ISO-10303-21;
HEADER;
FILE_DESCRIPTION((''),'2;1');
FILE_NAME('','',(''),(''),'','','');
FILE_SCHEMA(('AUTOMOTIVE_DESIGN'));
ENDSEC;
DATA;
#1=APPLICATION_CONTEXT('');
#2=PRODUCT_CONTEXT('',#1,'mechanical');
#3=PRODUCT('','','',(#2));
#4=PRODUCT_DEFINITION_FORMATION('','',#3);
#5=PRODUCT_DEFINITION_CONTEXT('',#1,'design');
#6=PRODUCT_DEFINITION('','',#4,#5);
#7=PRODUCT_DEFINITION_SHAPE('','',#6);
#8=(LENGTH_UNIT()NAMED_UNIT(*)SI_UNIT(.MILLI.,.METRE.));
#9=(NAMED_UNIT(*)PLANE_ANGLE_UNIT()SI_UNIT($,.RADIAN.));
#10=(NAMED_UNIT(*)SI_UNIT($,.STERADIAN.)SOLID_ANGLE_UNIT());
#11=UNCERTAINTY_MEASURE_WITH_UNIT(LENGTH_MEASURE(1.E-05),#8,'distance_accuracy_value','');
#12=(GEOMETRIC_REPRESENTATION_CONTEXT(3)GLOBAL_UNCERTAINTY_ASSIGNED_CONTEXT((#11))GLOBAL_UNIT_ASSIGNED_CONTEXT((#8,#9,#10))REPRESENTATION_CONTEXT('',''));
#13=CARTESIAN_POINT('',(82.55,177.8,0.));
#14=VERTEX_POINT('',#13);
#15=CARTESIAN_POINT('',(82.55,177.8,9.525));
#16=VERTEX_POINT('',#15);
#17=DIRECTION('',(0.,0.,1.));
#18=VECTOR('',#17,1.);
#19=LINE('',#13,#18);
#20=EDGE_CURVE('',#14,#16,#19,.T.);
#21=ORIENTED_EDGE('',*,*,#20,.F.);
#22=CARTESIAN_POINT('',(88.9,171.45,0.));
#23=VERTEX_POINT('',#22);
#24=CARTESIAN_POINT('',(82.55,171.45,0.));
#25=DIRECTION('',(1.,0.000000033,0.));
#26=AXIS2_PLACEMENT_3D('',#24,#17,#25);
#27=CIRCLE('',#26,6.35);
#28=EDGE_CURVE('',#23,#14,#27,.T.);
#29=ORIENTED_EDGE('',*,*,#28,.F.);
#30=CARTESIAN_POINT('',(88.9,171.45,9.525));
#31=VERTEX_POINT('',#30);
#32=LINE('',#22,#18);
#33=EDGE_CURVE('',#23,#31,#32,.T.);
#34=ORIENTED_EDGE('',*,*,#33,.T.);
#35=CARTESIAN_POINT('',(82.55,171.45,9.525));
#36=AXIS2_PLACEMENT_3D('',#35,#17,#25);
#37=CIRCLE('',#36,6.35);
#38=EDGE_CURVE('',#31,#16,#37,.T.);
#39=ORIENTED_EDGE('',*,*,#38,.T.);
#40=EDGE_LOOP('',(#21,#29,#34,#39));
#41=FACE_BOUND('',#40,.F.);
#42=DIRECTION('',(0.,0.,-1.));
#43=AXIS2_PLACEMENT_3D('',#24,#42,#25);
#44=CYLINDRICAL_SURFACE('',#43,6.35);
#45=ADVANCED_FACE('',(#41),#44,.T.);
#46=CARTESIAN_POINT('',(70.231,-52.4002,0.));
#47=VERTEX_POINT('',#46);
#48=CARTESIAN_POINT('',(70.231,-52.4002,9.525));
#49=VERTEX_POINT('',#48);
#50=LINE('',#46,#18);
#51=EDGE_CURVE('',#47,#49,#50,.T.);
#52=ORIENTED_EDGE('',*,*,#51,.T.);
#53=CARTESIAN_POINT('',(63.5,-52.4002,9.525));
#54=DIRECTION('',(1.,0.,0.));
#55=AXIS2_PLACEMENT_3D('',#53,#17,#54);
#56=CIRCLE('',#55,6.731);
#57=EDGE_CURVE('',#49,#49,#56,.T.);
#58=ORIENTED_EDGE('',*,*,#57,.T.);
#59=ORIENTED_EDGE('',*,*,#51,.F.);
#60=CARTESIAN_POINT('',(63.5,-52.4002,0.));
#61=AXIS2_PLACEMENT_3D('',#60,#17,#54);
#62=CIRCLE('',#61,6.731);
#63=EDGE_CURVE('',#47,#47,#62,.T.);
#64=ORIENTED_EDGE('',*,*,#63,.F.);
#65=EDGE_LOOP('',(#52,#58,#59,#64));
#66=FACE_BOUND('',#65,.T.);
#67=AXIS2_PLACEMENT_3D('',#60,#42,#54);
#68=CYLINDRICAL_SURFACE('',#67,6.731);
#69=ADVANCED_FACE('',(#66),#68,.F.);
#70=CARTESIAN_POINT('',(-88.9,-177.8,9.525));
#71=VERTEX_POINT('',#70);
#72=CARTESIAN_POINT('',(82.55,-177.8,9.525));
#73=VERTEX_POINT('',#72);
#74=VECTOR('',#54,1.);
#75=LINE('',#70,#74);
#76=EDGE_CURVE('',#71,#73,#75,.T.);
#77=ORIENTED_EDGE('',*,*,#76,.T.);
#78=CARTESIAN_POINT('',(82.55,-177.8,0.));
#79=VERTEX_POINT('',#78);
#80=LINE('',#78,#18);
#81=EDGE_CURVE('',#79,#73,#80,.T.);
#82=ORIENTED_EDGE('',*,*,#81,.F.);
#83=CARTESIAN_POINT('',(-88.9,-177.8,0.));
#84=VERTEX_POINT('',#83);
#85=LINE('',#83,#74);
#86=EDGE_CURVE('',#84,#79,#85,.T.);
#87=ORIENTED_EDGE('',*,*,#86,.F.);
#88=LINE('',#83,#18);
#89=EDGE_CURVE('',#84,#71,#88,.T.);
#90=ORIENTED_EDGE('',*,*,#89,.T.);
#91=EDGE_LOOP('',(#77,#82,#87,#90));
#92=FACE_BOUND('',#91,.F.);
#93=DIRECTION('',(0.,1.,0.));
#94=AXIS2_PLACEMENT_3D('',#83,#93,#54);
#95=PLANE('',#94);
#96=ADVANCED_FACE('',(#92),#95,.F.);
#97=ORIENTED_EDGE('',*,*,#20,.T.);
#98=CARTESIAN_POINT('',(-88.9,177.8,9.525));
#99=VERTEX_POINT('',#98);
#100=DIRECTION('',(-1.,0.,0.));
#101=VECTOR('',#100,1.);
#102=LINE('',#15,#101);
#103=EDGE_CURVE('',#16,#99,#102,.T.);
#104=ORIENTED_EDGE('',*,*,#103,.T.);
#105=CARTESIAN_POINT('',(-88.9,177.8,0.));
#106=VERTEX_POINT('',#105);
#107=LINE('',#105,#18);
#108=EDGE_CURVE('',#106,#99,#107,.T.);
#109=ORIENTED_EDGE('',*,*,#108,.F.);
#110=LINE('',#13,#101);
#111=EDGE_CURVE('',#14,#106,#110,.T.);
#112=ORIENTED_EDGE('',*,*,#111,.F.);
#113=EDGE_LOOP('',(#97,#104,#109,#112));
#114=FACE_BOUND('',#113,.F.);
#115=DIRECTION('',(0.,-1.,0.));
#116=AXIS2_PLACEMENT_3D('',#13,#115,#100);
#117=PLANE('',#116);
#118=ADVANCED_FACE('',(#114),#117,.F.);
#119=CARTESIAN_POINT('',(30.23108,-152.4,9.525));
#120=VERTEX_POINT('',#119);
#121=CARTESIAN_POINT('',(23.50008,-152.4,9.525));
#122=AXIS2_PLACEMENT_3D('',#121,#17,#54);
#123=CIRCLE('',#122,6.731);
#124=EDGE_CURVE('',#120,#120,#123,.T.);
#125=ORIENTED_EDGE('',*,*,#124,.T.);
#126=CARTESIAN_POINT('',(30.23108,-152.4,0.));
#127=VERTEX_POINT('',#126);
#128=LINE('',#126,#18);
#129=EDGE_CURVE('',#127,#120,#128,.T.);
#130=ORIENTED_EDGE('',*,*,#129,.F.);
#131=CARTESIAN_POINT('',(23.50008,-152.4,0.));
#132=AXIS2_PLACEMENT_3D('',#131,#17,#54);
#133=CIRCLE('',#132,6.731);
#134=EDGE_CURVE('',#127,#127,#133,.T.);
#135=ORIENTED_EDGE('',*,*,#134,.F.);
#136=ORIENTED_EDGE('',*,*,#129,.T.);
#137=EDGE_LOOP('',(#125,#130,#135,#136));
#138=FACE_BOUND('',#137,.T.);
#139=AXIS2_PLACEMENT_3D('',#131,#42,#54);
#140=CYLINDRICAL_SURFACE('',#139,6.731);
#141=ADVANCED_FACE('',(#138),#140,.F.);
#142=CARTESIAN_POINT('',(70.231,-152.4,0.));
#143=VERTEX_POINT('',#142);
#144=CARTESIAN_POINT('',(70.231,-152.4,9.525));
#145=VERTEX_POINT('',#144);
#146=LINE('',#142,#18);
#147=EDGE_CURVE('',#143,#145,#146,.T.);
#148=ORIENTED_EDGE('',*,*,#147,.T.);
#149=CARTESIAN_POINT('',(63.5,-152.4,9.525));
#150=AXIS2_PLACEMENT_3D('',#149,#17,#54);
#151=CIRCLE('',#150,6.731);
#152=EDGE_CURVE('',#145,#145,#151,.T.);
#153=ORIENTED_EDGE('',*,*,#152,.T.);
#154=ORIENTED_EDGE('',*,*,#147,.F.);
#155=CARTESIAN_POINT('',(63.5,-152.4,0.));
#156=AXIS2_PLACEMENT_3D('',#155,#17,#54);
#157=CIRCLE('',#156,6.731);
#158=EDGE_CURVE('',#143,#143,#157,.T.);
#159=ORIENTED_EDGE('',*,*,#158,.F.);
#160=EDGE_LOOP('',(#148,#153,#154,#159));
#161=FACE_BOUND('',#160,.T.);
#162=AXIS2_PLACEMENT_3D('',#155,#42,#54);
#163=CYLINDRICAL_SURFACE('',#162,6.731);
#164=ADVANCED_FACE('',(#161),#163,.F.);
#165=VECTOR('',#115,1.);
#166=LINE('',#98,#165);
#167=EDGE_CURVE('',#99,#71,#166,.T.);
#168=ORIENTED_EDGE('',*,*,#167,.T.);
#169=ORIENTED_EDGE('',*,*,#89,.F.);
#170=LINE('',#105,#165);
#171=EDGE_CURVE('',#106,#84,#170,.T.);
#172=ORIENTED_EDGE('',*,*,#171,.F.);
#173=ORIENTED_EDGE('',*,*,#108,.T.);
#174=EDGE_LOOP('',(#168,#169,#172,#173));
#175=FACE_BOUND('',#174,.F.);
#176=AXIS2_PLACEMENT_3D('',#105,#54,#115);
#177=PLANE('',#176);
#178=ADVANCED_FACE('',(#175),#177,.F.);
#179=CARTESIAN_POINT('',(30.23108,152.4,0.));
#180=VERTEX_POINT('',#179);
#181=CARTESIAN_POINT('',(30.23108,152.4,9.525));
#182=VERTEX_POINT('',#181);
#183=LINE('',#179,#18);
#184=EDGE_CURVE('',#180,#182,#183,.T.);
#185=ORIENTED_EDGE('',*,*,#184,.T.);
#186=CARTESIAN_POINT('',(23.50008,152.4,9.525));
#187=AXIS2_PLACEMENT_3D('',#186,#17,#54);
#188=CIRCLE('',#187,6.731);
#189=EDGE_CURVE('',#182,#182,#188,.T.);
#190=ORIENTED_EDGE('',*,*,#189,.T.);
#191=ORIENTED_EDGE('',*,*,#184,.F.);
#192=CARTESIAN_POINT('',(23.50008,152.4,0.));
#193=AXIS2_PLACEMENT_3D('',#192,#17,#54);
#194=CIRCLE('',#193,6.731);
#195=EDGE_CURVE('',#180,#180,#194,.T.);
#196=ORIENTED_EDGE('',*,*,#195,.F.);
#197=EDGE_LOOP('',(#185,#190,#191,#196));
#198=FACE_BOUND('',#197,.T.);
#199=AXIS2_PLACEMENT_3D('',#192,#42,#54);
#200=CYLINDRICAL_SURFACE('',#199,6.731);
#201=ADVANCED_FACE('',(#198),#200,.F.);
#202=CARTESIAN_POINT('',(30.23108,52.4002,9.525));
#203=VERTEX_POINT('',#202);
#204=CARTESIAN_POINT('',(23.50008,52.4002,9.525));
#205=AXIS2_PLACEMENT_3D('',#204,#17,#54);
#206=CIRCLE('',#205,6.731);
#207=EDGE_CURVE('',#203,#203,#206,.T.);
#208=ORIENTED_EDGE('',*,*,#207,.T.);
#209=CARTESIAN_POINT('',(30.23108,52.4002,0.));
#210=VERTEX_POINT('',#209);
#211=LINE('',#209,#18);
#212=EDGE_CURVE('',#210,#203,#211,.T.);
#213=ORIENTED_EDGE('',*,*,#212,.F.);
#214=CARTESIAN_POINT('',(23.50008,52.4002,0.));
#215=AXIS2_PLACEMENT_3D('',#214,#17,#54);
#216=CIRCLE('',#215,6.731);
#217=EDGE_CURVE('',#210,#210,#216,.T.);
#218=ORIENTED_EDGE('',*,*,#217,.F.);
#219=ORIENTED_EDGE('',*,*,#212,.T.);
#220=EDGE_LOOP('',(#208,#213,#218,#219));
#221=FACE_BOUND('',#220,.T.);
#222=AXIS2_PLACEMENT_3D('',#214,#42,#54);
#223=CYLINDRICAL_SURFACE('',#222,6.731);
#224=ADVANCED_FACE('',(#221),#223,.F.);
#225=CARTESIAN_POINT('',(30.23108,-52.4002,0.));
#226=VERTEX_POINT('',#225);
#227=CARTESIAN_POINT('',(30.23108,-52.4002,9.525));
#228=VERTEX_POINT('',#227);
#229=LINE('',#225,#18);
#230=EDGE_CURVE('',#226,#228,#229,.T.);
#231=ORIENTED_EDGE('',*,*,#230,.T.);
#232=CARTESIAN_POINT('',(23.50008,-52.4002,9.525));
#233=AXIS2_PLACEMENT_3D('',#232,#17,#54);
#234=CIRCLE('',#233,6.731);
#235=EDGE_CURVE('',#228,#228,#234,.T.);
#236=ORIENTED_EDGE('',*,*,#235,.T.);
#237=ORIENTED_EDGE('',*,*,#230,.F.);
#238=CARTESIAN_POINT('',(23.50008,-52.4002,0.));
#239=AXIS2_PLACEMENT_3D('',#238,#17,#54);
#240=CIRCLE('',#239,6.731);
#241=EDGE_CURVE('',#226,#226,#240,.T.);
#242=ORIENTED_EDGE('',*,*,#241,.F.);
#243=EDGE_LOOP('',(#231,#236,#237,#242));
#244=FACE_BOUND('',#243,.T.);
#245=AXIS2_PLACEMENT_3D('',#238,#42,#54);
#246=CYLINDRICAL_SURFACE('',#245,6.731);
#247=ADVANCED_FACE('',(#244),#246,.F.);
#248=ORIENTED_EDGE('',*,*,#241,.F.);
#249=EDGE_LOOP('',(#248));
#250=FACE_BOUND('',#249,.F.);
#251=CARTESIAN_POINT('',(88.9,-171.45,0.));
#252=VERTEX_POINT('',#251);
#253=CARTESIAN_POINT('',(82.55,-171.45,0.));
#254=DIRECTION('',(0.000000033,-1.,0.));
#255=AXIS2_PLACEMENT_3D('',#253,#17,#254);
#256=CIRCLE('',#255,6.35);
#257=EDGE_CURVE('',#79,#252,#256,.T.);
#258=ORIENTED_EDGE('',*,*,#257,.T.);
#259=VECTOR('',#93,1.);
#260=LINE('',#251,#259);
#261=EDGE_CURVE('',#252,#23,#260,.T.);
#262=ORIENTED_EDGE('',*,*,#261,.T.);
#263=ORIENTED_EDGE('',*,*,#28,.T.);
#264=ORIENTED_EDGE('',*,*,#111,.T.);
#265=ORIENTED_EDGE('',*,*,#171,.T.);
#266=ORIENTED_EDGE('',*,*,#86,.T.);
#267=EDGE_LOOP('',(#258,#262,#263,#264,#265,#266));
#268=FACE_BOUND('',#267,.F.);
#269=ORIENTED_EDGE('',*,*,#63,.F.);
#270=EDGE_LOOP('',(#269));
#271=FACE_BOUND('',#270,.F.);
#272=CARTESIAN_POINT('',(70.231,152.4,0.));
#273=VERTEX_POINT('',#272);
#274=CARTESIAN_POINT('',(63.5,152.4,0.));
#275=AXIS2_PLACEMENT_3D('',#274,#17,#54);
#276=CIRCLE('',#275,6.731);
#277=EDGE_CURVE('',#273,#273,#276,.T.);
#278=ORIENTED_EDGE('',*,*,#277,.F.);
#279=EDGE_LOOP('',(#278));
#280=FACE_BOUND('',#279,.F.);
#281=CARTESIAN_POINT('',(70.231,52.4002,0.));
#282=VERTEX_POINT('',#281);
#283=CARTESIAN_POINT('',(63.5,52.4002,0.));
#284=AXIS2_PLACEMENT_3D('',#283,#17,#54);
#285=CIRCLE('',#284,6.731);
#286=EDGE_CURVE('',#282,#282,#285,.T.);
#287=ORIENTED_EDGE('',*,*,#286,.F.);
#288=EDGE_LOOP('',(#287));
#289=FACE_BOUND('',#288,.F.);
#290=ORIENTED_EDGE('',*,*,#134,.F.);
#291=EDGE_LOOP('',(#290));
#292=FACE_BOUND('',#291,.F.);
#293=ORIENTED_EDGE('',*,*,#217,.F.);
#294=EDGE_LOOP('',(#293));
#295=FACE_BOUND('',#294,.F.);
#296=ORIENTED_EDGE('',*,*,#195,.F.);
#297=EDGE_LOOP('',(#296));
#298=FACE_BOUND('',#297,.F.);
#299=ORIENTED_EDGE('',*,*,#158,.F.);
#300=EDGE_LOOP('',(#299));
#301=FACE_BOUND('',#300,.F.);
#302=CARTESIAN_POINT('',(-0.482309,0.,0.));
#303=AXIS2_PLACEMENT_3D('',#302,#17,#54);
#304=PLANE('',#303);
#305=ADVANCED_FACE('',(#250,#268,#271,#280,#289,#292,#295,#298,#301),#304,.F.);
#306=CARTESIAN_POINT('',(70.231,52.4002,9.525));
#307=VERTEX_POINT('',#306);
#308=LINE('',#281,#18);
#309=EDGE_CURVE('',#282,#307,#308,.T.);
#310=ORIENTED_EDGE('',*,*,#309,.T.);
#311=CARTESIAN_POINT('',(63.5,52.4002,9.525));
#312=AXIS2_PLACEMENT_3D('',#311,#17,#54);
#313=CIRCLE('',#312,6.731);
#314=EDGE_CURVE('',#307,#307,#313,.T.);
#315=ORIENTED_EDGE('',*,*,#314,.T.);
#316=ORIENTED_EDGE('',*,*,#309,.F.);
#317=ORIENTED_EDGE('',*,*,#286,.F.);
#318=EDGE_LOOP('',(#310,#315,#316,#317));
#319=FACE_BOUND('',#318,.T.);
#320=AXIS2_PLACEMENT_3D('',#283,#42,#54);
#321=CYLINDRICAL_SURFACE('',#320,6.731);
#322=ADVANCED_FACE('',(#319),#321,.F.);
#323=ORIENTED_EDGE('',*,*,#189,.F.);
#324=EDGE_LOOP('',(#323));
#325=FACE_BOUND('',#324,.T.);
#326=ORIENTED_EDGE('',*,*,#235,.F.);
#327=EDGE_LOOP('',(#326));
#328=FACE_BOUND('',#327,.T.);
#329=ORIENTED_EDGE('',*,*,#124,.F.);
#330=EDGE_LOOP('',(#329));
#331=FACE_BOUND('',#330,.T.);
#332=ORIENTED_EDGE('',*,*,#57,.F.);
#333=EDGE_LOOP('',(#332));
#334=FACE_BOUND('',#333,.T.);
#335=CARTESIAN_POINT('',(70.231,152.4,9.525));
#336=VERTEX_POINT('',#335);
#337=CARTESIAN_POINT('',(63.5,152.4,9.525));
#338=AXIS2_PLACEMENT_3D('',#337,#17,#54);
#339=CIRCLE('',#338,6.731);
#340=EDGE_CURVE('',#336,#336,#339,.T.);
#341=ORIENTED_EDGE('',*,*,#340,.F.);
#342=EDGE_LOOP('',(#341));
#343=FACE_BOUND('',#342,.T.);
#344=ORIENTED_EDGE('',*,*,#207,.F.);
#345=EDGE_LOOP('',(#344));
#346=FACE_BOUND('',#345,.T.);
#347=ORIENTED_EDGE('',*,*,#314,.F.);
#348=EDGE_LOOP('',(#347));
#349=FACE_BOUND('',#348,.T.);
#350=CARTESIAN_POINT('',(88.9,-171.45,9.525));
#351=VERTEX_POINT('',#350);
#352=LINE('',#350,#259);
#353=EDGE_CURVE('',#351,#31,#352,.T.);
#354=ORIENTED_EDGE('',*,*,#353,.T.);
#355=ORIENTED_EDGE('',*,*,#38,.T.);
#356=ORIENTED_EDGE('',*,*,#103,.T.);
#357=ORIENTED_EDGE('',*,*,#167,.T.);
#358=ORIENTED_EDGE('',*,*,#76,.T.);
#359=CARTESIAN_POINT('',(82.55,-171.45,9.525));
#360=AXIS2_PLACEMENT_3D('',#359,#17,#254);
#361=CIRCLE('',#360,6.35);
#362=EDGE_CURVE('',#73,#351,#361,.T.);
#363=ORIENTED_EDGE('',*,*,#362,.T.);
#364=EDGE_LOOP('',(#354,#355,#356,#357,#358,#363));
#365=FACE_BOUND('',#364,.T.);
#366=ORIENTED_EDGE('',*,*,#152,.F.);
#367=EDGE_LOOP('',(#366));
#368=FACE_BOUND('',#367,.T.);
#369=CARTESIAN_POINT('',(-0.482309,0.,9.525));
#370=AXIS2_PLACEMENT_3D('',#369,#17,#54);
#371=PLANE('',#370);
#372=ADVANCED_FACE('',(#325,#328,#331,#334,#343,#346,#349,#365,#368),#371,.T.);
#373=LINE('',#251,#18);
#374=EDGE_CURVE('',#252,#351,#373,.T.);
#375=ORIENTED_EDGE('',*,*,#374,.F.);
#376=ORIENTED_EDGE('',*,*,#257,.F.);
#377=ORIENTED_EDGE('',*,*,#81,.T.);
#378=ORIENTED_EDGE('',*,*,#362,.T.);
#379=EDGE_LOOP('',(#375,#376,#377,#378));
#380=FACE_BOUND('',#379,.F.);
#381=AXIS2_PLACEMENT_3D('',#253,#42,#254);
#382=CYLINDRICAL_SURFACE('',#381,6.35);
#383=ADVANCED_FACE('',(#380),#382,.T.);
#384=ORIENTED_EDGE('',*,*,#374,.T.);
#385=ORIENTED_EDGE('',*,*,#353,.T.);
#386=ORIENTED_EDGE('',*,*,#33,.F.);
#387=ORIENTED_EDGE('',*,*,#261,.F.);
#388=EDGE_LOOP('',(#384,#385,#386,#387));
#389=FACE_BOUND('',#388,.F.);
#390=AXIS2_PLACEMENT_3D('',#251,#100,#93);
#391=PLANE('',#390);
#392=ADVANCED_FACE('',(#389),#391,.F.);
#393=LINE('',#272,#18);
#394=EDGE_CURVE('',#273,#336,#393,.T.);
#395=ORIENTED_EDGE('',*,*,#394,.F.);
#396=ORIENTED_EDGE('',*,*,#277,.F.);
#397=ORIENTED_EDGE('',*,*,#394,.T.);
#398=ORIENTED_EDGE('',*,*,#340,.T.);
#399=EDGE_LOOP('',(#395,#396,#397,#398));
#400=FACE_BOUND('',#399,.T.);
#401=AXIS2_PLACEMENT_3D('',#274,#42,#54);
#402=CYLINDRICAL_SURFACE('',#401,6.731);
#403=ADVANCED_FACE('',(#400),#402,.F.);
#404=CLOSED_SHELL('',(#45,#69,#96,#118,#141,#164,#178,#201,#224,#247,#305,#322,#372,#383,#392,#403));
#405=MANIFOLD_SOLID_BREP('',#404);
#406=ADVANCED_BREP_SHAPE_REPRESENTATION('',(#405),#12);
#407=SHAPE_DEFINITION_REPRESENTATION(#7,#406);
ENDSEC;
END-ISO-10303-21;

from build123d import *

# Parameters (mm, degrees)
F0_R     = 6.731
F1_DEPTH = 9.525


with BuildPart() as f1:
    # F0 (on Top) → F1 (new body)
    with BuildSketch(Plane.XY):
        with BuildLine():
            Line((-88.9, 177.8), (-88.9, -177.8))
            Line((-88.9, -177.8), (82.55, -177.8))
            ThreePointArc((82.55, -177.8), (87.040128, -175.940128), (88.9, -171.45))
            Line((88.9, -171.45), (88.9, 171.45))
            ThreePointArc((88.9, 171.45), (87.040128, 175.940128), (82.55, 177.8))
            Line((82.55, 177.8), (-88.9, 177.8))
        make_face()
        with Locations((23.50008, -152.4)):
            Circle(F0_R, mode=Mode.SUBTRACT)
        with Locations((63.5, -152.4)):
            Circle(F0_R, mode=Mode.SUBTRACT)
        with Locations((23.50008, -52.4002)):
            Circle(F0_R, mode=Mode.SUBTRACT)
        with Locations((63.5, -52.4002)):
            Circle(F0_R, mode=Mode.SUBTRACT)
        with Locations((23.50008, 52.4002)):
            Circle(F0_R, mode=Mode.SUBTRACT)
        with Locations((63.5, 52.4002)):
            Circle(F0_R, mode=Mode.SUBTRACT)
        with Locations((23.50008, 152.4)):
            Circle(F0_R, mode=Mode.SUBTRACT)
        with Locations((63.5, 152.4)):
            Circle(F0_R, mode=Mode.SUBTRACT)
    extrude(amount=F1_DEPTH)


solid = f1.part
